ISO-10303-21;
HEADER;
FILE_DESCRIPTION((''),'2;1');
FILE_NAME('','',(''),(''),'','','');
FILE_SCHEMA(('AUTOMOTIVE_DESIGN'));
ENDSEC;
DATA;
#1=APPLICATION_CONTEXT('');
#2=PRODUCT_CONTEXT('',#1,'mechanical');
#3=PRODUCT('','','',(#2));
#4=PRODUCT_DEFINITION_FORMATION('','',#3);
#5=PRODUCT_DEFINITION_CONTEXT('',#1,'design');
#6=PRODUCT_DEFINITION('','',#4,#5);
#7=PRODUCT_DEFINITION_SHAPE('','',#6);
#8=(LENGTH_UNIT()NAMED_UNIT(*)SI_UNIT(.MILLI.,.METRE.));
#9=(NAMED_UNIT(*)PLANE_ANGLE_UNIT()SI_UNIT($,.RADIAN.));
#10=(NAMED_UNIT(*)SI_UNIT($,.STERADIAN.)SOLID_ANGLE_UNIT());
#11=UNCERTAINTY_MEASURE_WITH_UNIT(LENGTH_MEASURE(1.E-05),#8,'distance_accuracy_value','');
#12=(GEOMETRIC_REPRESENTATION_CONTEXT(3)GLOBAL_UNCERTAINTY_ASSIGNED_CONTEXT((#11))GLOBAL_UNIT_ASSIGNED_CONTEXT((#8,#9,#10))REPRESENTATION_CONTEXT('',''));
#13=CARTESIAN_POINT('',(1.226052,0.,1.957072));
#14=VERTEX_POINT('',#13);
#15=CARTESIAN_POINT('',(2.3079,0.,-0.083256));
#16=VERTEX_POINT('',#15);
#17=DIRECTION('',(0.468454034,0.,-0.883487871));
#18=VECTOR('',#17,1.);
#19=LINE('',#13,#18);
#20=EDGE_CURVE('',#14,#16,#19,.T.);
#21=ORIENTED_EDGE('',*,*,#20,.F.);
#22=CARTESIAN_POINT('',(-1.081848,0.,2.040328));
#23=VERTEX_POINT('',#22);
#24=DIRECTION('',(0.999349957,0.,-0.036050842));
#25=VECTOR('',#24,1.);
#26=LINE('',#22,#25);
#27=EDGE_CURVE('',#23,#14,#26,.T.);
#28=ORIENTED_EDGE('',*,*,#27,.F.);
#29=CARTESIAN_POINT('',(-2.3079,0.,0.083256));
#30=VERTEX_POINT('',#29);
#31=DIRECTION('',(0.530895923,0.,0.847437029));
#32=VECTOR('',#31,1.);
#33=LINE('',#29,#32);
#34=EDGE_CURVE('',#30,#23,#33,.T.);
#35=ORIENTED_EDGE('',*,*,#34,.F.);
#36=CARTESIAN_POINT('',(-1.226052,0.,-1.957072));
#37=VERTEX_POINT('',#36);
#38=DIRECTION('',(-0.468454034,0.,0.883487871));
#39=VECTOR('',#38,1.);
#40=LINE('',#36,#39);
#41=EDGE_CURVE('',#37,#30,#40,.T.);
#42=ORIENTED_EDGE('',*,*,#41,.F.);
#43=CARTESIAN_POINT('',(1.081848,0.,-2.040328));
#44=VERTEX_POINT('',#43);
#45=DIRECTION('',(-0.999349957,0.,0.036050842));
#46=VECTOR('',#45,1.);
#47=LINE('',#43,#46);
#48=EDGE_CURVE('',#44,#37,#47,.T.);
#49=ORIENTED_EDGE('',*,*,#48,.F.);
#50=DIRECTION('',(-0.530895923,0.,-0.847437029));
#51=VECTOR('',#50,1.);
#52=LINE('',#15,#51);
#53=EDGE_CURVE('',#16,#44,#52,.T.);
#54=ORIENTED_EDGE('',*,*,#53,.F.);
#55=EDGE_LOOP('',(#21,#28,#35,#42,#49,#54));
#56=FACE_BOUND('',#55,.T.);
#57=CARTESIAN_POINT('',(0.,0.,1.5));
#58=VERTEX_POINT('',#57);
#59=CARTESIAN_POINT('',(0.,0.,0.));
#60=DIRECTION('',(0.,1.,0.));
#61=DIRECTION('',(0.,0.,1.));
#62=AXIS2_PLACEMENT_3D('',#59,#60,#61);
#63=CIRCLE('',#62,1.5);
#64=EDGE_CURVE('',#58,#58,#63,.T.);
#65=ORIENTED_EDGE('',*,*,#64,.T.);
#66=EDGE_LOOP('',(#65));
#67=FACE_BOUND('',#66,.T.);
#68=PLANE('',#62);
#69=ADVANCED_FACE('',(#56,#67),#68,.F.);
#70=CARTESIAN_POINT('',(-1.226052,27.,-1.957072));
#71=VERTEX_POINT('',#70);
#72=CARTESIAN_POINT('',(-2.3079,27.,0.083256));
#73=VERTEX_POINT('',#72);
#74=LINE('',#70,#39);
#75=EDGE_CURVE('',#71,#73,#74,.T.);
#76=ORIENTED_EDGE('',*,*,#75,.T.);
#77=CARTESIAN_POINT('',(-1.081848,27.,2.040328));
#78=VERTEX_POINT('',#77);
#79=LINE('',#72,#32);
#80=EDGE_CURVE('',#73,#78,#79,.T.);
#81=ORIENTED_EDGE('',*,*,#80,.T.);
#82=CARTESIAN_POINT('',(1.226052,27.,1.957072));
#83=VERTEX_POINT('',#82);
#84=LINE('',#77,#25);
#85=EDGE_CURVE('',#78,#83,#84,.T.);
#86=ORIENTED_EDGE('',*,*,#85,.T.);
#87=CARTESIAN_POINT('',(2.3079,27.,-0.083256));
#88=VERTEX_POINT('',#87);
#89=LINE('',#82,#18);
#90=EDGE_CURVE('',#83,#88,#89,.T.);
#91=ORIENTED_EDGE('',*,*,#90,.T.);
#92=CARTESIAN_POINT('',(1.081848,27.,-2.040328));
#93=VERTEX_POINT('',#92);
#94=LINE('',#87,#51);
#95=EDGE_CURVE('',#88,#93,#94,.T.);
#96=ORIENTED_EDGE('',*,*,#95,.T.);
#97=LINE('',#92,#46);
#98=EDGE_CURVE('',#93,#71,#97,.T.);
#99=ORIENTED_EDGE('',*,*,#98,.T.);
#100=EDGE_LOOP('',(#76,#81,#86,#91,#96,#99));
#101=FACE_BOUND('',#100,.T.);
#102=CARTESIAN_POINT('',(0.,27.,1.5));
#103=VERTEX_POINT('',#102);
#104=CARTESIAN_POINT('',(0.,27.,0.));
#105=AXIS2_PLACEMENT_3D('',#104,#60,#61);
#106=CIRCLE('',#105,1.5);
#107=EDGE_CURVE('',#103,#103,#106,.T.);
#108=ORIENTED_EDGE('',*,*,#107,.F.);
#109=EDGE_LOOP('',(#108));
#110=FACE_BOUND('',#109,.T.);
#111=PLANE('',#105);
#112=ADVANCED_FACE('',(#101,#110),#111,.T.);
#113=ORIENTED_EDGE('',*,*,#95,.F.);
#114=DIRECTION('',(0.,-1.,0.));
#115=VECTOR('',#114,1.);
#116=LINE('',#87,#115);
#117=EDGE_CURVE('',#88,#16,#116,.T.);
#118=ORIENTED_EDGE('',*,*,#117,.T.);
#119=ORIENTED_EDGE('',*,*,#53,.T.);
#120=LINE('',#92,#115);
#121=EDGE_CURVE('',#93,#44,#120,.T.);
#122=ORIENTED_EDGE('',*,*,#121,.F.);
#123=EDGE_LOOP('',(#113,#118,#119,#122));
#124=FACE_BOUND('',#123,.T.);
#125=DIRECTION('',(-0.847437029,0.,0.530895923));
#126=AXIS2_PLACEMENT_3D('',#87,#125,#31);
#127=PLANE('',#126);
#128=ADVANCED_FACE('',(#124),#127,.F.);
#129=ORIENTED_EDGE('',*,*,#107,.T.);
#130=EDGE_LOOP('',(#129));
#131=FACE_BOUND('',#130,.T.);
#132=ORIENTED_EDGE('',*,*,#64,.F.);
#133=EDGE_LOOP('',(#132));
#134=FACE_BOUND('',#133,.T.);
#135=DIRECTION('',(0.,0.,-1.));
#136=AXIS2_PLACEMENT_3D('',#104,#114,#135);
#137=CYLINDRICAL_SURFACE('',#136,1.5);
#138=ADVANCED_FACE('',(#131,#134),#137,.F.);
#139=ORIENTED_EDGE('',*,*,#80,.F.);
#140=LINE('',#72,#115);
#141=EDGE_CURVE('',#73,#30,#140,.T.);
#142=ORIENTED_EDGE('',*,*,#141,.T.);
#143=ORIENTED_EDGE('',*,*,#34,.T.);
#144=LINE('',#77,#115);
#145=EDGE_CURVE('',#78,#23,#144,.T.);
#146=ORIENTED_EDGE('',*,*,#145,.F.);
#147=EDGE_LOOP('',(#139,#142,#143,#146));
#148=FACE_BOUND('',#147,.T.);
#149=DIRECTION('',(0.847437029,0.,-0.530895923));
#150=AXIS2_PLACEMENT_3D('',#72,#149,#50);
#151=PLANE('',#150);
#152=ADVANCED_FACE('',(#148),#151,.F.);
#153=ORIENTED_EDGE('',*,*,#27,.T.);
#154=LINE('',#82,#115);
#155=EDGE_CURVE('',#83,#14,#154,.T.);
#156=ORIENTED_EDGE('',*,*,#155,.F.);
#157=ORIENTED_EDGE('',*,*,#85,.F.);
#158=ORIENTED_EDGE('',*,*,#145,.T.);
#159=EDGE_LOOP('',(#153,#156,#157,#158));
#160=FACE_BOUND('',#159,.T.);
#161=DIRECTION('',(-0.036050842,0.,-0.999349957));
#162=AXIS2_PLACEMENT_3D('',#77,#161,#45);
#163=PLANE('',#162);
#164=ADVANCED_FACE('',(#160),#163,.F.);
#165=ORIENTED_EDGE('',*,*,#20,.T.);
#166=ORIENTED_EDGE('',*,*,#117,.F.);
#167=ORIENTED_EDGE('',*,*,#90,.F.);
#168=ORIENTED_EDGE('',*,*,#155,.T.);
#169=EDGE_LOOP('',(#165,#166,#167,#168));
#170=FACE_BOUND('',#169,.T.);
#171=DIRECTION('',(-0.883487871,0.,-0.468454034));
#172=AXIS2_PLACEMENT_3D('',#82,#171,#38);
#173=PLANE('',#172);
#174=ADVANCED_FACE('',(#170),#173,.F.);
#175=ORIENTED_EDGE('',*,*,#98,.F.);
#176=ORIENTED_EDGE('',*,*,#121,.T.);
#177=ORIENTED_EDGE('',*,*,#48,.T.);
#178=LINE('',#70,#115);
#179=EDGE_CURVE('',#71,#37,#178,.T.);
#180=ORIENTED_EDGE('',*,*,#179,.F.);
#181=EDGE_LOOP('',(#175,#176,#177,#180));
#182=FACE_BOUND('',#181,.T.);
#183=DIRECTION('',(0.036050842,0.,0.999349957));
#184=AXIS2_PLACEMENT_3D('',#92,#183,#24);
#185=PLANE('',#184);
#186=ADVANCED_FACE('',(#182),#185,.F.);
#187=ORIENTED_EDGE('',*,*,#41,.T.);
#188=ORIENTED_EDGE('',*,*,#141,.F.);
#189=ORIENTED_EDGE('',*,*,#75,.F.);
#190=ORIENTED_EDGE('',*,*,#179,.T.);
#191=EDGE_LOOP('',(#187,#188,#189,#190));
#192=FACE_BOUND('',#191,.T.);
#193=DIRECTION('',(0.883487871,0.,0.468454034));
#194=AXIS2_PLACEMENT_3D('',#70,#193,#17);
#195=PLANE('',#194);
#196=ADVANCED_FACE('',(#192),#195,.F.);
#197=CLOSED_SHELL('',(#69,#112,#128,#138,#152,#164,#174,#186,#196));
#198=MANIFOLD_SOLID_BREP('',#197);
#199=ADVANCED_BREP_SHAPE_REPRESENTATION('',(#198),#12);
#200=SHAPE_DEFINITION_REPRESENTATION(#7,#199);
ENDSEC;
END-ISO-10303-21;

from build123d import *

# Parameters (mm, degrees)
SKETCH_1_R      = 1.5
EXTRUDE_1_DEPTH = 27


with BuildPart() as part:
    # 草图1 → 凸台-拉伸1 (new body)
    with BuildSketch(Plane(origin=(0, 0, 0), x_dir=(1, 0, 0), z_dir=(0, 1, 0))):
        Polygon((1.08184825, 2.04032784), (-1.226051617, 1.957071988), (-2.307899867, -0.083255852), (-1.08184825, -2.04032784), (1.226051617, -1.957071988), (2.307899867, 0.083255852), align=None)
        with Locations(Location((0, 0, 0), (0, 0, 270))):
            Circle(SKETCH_1_R, mode=Mode.SUBTRACT)
    extrude(amount=EXTRUDE_1_DEPTH)


solid = part.part
